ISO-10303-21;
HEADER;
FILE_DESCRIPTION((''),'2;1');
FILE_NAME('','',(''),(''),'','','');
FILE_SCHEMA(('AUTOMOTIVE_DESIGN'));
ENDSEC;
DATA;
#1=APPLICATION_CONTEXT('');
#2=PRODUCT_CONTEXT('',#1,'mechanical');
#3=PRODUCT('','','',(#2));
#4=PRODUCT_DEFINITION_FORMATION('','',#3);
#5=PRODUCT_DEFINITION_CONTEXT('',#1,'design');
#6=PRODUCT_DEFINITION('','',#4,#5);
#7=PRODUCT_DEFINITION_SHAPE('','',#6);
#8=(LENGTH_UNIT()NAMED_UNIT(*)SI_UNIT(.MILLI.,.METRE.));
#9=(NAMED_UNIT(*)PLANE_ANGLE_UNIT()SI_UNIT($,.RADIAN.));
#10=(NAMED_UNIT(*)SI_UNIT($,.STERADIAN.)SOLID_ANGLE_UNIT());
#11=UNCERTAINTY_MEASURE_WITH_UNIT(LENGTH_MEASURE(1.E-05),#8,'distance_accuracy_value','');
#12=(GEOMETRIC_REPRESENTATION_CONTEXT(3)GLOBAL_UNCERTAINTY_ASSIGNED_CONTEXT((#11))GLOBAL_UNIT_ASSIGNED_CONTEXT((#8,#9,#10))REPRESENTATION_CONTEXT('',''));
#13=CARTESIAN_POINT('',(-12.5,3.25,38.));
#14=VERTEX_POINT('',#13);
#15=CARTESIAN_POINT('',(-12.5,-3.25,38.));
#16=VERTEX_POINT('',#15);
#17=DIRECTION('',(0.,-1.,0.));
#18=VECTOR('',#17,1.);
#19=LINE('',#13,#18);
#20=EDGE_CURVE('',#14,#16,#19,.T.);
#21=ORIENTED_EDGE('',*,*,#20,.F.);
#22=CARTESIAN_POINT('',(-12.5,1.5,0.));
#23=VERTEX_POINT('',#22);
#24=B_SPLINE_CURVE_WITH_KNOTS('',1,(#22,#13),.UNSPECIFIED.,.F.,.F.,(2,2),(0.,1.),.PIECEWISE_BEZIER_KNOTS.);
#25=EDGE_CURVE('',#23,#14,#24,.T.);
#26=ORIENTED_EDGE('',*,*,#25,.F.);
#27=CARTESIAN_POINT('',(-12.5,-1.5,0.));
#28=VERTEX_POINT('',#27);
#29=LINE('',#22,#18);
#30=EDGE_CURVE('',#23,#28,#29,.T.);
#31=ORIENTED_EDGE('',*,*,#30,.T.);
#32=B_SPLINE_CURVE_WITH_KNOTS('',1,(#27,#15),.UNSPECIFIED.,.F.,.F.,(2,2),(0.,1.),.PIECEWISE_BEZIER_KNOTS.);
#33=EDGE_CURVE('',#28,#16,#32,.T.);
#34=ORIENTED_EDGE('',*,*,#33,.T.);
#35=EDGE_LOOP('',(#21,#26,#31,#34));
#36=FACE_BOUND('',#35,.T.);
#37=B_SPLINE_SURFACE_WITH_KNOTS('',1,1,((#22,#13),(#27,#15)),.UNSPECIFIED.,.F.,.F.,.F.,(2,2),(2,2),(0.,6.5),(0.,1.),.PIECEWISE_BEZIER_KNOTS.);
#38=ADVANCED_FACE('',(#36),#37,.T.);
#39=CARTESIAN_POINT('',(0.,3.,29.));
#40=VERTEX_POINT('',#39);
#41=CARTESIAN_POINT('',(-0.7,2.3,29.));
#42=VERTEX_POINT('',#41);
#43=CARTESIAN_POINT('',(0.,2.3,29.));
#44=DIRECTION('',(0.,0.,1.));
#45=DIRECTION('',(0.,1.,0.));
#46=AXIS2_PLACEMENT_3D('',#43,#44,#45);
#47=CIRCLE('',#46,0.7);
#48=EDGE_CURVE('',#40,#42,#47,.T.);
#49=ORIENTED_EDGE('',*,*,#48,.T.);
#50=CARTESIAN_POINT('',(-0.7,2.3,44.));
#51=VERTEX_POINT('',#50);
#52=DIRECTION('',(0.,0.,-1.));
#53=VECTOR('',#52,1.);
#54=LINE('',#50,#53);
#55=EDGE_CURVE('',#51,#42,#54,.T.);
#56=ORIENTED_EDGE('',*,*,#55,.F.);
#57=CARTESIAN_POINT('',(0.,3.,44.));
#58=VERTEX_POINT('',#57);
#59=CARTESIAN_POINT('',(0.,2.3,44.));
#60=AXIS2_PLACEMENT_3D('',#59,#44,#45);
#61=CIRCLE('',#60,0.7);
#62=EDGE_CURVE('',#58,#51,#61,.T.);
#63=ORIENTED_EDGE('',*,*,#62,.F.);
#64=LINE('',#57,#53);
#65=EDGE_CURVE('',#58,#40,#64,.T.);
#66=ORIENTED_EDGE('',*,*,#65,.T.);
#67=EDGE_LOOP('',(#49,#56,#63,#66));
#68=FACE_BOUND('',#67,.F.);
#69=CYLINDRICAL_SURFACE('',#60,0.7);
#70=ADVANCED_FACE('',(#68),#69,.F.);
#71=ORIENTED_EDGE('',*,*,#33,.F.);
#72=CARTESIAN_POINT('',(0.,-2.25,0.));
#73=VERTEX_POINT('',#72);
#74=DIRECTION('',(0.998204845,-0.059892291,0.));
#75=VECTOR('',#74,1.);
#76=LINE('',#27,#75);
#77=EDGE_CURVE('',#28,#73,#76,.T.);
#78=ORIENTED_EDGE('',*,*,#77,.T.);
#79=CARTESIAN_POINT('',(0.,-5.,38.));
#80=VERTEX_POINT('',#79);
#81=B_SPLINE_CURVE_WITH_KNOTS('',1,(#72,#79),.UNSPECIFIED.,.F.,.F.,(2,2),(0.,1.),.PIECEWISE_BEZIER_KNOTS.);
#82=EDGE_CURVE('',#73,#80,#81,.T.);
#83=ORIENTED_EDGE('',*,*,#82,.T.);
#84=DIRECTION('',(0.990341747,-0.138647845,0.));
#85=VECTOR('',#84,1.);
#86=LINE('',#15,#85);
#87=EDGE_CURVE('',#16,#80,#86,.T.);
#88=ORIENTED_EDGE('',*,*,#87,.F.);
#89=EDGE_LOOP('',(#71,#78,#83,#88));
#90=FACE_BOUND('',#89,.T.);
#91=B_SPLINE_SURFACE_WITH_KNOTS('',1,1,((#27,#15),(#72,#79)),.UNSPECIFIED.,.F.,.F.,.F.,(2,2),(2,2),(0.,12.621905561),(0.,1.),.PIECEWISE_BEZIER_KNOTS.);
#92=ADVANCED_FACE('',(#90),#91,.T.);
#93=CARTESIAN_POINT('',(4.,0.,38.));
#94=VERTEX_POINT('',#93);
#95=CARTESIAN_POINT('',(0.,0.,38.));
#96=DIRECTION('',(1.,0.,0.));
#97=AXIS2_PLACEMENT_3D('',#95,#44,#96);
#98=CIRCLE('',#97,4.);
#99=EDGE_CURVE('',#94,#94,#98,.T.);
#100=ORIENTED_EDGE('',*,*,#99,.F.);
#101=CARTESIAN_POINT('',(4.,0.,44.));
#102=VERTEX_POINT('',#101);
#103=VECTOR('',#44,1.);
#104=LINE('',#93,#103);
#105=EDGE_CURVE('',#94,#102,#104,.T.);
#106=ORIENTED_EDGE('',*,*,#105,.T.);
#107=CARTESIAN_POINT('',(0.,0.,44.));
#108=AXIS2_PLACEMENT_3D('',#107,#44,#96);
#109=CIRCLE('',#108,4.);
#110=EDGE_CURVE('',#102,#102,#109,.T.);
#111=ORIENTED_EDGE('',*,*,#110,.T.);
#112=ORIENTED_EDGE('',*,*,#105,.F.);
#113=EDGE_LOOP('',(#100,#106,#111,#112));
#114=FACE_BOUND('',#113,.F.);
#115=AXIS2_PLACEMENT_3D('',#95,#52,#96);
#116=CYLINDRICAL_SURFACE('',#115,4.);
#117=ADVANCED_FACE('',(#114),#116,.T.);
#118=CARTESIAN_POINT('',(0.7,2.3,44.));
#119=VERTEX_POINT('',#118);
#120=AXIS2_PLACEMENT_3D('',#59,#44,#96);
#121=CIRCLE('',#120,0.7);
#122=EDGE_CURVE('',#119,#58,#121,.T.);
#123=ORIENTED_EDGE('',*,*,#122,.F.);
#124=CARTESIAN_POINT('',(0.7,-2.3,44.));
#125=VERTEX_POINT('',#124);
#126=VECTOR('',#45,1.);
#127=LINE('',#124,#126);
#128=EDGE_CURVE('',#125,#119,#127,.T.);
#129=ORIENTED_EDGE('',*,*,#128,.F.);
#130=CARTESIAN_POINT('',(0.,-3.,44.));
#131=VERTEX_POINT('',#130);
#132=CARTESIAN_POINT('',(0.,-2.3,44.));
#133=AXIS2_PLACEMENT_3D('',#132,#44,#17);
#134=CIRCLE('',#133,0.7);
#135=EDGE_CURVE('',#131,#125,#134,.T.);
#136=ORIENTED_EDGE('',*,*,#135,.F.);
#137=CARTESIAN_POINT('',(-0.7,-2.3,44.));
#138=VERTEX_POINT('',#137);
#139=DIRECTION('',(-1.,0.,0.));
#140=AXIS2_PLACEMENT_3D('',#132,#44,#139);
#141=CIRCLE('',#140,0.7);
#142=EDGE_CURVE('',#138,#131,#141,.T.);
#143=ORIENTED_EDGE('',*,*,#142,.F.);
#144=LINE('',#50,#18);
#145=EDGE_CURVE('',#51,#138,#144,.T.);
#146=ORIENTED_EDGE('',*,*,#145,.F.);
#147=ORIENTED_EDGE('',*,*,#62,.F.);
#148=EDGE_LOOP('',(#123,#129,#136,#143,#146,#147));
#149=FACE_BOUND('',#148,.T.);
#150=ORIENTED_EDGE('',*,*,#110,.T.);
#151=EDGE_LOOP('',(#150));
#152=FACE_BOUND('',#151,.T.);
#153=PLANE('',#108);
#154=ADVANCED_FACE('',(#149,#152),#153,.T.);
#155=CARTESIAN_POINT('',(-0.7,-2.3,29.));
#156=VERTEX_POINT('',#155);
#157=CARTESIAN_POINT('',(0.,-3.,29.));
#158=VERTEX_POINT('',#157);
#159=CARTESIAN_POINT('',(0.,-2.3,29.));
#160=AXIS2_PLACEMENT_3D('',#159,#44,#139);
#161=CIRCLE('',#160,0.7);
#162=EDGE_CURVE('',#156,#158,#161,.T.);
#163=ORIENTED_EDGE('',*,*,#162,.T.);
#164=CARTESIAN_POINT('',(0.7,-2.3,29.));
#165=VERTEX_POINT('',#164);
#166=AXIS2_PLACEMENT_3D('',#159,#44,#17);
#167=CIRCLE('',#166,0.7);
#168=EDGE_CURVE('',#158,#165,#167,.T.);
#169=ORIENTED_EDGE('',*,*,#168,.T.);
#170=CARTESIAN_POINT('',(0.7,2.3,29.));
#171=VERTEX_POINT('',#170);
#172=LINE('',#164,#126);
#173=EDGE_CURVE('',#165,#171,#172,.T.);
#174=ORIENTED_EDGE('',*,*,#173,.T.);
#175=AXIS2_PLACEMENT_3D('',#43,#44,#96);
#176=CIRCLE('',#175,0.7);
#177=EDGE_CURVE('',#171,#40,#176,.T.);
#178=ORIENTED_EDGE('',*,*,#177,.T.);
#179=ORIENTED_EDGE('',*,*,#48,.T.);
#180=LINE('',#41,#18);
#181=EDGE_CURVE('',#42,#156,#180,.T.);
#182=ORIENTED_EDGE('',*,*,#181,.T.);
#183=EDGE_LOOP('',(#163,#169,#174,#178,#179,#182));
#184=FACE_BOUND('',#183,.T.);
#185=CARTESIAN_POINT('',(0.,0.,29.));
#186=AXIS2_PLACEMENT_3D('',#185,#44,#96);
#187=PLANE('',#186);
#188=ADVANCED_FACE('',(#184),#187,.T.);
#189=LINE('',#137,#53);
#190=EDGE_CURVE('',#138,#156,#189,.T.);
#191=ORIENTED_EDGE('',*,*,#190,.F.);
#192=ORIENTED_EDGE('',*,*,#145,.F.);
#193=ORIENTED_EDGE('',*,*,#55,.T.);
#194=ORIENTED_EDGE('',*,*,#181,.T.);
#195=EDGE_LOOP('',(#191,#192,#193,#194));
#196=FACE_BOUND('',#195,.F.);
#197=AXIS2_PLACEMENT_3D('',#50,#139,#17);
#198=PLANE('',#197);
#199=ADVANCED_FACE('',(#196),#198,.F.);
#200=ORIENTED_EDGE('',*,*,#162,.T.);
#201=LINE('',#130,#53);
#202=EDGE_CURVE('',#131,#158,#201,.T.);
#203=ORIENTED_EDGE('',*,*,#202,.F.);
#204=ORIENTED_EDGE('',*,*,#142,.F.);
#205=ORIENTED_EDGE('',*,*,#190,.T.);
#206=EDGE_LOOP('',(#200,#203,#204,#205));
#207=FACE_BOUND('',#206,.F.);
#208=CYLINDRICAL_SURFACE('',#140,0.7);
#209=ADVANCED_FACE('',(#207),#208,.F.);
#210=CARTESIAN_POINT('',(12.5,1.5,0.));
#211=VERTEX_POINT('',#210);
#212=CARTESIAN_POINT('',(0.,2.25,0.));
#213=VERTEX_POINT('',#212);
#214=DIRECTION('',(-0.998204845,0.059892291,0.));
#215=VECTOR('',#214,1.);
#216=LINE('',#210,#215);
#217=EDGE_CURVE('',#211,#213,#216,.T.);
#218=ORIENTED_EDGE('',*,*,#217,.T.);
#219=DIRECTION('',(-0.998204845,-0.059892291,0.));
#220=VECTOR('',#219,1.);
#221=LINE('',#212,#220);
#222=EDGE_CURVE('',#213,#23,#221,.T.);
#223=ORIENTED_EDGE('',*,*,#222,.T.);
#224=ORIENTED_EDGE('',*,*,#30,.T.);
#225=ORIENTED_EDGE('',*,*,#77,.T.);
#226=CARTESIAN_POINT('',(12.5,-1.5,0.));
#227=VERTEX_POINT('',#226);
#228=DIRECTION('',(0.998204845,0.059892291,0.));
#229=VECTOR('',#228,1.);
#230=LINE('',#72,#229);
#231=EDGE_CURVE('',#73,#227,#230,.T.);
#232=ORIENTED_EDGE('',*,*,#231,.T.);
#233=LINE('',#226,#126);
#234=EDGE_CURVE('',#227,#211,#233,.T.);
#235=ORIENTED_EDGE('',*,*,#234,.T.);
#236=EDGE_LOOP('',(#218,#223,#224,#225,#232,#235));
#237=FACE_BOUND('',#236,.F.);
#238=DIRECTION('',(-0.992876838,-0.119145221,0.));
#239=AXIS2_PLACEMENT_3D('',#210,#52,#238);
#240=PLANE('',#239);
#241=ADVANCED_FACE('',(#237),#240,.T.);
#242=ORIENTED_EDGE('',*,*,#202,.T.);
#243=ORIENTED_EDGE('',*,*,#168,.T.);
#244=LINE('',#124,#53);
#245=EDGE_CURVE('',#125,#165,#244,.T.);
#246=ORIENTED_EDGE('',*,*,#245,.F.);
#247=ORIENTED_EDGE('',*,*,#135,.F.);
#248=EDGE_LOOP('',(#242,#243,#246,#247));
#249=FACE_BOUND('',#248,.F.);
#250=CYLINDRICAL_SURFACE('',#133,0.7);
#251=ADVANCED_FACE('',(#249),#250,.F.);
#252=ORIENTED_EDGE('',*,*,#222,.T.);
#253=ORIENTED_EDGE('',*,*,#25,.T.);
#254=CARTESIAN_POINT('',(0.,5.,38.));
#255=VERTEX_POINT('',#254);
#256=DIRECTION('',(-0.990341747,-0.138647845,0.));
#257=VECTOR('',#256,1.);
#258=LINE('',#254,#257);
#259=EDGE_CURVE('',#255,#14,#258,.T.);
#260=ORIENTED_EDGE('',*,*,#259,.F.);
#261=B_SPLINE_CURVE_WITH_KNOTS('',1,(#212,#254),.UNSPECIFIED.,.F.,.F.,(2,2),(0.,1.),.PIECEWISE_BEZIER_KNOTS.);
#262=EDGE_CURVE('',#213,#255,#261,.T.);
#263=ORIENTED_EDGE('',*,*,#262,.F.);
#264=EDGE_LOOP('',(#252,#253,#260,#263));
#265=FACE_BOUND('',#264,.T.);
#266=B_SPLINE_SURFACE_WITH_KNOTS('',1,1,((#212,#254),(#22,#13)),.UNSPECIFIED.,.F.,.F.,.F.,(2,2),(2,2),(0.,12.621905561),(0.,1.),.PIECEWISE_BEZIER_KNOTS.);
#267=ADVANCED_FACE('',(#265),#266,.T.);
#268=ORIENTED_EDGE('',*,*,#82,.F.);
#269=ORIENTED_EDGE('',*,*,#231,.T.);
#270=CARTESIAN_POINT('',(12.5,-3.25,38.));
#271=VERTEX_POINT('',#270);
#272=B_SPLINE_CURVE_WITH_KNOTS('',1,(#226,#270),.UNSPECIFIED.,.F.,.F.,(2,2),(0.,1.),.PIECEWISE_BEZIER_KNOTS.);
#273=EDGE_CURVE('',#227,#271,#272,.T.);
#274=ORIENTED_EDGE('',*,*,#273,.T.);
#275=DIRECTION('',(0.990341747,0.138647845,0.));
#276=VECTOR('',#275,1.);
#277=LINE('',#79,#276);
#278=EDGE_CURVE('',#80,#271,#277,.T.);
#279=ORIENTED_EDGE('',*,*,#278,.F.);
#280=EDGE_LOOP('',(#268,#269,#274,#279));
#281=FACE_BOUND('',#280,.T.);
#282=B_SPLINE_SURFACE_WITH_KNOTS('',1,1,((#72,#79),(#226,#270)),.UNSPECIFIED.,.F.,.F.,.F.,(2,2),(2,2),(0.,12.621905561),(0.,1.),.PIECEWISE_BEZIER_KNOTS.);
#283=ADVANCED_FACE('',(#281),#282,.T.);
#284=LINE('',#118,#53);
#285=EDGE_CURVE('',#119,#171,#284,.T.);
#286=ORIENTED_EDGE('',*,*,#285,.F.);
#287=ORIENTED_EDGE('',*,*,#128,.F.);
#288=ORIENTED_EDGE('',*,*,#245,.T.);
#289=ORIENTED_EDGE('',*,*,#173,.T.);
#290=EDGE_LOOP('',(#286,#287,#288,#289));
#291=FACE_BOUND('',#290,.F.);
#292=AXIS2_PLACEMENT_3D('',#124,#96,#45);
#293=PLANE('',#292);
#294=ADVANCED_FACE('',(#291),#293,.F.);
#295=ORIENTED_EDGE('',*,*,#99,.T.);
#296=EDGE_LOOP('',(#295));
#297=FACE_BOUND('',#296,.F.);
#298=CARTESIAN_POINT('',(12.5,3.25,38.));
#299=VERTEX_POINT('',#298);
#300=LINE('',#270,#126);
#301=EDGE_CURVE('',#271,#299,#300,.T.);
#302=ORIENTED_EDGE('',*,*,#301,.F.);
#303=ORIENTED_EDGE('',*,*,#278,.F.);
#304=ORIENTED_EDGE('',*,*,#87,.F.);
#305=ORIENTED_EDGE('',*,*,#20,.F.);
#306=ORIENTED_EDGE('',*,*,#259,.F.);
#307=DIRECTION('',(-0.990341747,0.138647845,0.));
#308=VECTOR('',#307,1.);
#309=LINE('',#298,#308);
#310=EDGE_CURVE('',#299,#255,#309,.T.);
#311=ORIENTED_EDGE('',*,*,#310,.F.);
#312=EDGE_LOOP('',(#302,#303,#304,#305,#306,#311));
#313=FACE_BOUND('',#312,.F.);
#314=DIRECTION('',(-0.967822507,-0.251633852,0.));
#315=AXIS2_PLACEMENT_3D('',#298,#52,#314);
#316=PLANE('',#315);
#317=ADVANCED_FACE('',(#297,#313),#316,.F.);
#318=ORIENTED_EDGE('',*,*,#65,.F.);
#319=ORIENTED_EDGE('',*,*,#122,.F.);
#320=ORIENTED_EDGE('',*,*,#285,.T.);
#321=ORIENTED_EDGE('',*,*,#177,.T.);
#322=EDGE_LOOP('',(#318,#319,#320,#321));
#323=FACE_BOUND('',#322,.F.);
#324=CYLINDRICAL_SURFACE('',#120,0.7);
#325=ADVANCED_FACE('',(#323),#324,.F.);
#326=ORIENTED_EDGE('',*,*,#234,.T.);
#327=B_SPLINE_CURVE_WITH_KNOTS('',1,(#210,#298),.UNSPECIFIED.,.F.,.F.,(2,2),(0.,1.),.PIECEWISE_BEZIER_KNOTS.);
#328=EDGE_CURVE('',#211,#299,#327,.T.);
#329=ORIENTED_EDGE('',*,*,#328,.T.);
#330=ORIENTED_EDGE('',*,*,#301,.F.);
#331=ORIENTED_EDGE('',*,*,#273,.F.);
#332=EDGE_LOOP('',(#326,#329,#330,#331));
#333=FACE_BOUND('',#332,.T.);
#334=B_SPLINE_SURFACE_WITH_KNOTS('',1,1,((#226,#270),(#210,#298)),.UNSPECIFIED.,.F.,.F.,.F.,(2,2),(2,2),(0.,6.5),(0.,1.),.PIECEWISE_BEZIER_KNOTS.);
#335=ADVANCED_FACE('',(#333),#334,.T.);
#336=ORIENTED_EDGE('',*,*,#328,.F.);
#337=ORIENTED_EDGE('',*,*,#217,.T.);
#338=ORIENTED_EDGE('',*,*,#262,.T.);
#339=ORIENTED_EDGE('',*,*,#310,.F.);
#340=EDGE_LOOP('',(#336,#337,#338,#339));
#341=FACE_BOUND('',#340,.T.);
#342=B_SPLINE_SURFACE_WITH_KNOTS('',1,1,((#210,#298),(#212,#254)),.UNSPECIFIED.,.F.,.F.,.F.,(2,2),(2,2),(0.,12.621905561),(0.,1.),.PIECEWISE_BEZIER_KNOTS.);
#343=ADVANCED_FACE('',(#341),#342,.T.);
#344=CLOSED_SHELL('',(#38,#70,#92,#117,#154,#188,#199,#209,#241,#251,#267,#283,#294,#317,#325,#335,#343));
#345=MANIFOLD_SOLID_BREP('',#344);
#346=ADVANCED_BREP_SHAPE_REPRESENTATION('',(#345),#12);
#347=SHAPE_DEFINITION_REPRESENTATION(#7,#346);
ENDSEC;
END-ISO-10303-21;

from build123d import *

# Parameters (mm, degrees)
F4_R     = 4
F5_DEPTH = 6
F7_DEPTH = 15


with BuildPart() as f3:
    # F0 (on Top) → F3 section 0
    with BuildSketch(Plane.XY):
        Polygon((12.5, 1.5), (0, 2.25), (-12.5, 1.5), (-12.5, 0), (-12.5, -1.5), (0, -2.25), (12.5, -1.5), (12.5, 0), align=None)
    # F2 (on offset) → F3 section 1
    with BuildSketch(Plane.XY.offset(38)):
        Polygon((-12.5, 3.25), (-12.5, 0), (-12.5, -3.25), (0, -5), (12.5, -3.25), (12.5, 0), (12.5, 3.25), (0, 5), align=None)
    loft()

    # F4 (on face) → F5 (join)
    with BuildSketch(Plane.XY.offset(38)):
        Circle(F4_R)
    extrude(amount=F5_DEPTH)

    # F6 (on face) → F7 (cut)
    with BuildSketch(Plane.XY.offset(44)):
        with BuildLine():
            Line((-0.7, 2.3), (-0.7, 0))
            Line((-0.7, 0), (-0.7, -2.3))
            ThreePointArc((-0.7, -2.3), (-0.4949747468, -2.7949747468), (0, -3))
            ThreePointArc((0, -3), (0.4949747468, -2.7949747468), (0.7, -2.3))
            Line((0.7, -2.3), (0.7, 0))
            Line((0.7, 0), (0.7, 2.3))
            ThreePointArc((0.7, 2.3), (0.4949747468, 2.7949747468), (0, 3))
            ThreePointArc((0, 3), (-0.4949747468, 2.7949747468), (-0.7, 2.3))
        make_face()
    extrude(amount=-F7_DEPTH, mode=Mode.SUBTRACT)


solid = f3.part
